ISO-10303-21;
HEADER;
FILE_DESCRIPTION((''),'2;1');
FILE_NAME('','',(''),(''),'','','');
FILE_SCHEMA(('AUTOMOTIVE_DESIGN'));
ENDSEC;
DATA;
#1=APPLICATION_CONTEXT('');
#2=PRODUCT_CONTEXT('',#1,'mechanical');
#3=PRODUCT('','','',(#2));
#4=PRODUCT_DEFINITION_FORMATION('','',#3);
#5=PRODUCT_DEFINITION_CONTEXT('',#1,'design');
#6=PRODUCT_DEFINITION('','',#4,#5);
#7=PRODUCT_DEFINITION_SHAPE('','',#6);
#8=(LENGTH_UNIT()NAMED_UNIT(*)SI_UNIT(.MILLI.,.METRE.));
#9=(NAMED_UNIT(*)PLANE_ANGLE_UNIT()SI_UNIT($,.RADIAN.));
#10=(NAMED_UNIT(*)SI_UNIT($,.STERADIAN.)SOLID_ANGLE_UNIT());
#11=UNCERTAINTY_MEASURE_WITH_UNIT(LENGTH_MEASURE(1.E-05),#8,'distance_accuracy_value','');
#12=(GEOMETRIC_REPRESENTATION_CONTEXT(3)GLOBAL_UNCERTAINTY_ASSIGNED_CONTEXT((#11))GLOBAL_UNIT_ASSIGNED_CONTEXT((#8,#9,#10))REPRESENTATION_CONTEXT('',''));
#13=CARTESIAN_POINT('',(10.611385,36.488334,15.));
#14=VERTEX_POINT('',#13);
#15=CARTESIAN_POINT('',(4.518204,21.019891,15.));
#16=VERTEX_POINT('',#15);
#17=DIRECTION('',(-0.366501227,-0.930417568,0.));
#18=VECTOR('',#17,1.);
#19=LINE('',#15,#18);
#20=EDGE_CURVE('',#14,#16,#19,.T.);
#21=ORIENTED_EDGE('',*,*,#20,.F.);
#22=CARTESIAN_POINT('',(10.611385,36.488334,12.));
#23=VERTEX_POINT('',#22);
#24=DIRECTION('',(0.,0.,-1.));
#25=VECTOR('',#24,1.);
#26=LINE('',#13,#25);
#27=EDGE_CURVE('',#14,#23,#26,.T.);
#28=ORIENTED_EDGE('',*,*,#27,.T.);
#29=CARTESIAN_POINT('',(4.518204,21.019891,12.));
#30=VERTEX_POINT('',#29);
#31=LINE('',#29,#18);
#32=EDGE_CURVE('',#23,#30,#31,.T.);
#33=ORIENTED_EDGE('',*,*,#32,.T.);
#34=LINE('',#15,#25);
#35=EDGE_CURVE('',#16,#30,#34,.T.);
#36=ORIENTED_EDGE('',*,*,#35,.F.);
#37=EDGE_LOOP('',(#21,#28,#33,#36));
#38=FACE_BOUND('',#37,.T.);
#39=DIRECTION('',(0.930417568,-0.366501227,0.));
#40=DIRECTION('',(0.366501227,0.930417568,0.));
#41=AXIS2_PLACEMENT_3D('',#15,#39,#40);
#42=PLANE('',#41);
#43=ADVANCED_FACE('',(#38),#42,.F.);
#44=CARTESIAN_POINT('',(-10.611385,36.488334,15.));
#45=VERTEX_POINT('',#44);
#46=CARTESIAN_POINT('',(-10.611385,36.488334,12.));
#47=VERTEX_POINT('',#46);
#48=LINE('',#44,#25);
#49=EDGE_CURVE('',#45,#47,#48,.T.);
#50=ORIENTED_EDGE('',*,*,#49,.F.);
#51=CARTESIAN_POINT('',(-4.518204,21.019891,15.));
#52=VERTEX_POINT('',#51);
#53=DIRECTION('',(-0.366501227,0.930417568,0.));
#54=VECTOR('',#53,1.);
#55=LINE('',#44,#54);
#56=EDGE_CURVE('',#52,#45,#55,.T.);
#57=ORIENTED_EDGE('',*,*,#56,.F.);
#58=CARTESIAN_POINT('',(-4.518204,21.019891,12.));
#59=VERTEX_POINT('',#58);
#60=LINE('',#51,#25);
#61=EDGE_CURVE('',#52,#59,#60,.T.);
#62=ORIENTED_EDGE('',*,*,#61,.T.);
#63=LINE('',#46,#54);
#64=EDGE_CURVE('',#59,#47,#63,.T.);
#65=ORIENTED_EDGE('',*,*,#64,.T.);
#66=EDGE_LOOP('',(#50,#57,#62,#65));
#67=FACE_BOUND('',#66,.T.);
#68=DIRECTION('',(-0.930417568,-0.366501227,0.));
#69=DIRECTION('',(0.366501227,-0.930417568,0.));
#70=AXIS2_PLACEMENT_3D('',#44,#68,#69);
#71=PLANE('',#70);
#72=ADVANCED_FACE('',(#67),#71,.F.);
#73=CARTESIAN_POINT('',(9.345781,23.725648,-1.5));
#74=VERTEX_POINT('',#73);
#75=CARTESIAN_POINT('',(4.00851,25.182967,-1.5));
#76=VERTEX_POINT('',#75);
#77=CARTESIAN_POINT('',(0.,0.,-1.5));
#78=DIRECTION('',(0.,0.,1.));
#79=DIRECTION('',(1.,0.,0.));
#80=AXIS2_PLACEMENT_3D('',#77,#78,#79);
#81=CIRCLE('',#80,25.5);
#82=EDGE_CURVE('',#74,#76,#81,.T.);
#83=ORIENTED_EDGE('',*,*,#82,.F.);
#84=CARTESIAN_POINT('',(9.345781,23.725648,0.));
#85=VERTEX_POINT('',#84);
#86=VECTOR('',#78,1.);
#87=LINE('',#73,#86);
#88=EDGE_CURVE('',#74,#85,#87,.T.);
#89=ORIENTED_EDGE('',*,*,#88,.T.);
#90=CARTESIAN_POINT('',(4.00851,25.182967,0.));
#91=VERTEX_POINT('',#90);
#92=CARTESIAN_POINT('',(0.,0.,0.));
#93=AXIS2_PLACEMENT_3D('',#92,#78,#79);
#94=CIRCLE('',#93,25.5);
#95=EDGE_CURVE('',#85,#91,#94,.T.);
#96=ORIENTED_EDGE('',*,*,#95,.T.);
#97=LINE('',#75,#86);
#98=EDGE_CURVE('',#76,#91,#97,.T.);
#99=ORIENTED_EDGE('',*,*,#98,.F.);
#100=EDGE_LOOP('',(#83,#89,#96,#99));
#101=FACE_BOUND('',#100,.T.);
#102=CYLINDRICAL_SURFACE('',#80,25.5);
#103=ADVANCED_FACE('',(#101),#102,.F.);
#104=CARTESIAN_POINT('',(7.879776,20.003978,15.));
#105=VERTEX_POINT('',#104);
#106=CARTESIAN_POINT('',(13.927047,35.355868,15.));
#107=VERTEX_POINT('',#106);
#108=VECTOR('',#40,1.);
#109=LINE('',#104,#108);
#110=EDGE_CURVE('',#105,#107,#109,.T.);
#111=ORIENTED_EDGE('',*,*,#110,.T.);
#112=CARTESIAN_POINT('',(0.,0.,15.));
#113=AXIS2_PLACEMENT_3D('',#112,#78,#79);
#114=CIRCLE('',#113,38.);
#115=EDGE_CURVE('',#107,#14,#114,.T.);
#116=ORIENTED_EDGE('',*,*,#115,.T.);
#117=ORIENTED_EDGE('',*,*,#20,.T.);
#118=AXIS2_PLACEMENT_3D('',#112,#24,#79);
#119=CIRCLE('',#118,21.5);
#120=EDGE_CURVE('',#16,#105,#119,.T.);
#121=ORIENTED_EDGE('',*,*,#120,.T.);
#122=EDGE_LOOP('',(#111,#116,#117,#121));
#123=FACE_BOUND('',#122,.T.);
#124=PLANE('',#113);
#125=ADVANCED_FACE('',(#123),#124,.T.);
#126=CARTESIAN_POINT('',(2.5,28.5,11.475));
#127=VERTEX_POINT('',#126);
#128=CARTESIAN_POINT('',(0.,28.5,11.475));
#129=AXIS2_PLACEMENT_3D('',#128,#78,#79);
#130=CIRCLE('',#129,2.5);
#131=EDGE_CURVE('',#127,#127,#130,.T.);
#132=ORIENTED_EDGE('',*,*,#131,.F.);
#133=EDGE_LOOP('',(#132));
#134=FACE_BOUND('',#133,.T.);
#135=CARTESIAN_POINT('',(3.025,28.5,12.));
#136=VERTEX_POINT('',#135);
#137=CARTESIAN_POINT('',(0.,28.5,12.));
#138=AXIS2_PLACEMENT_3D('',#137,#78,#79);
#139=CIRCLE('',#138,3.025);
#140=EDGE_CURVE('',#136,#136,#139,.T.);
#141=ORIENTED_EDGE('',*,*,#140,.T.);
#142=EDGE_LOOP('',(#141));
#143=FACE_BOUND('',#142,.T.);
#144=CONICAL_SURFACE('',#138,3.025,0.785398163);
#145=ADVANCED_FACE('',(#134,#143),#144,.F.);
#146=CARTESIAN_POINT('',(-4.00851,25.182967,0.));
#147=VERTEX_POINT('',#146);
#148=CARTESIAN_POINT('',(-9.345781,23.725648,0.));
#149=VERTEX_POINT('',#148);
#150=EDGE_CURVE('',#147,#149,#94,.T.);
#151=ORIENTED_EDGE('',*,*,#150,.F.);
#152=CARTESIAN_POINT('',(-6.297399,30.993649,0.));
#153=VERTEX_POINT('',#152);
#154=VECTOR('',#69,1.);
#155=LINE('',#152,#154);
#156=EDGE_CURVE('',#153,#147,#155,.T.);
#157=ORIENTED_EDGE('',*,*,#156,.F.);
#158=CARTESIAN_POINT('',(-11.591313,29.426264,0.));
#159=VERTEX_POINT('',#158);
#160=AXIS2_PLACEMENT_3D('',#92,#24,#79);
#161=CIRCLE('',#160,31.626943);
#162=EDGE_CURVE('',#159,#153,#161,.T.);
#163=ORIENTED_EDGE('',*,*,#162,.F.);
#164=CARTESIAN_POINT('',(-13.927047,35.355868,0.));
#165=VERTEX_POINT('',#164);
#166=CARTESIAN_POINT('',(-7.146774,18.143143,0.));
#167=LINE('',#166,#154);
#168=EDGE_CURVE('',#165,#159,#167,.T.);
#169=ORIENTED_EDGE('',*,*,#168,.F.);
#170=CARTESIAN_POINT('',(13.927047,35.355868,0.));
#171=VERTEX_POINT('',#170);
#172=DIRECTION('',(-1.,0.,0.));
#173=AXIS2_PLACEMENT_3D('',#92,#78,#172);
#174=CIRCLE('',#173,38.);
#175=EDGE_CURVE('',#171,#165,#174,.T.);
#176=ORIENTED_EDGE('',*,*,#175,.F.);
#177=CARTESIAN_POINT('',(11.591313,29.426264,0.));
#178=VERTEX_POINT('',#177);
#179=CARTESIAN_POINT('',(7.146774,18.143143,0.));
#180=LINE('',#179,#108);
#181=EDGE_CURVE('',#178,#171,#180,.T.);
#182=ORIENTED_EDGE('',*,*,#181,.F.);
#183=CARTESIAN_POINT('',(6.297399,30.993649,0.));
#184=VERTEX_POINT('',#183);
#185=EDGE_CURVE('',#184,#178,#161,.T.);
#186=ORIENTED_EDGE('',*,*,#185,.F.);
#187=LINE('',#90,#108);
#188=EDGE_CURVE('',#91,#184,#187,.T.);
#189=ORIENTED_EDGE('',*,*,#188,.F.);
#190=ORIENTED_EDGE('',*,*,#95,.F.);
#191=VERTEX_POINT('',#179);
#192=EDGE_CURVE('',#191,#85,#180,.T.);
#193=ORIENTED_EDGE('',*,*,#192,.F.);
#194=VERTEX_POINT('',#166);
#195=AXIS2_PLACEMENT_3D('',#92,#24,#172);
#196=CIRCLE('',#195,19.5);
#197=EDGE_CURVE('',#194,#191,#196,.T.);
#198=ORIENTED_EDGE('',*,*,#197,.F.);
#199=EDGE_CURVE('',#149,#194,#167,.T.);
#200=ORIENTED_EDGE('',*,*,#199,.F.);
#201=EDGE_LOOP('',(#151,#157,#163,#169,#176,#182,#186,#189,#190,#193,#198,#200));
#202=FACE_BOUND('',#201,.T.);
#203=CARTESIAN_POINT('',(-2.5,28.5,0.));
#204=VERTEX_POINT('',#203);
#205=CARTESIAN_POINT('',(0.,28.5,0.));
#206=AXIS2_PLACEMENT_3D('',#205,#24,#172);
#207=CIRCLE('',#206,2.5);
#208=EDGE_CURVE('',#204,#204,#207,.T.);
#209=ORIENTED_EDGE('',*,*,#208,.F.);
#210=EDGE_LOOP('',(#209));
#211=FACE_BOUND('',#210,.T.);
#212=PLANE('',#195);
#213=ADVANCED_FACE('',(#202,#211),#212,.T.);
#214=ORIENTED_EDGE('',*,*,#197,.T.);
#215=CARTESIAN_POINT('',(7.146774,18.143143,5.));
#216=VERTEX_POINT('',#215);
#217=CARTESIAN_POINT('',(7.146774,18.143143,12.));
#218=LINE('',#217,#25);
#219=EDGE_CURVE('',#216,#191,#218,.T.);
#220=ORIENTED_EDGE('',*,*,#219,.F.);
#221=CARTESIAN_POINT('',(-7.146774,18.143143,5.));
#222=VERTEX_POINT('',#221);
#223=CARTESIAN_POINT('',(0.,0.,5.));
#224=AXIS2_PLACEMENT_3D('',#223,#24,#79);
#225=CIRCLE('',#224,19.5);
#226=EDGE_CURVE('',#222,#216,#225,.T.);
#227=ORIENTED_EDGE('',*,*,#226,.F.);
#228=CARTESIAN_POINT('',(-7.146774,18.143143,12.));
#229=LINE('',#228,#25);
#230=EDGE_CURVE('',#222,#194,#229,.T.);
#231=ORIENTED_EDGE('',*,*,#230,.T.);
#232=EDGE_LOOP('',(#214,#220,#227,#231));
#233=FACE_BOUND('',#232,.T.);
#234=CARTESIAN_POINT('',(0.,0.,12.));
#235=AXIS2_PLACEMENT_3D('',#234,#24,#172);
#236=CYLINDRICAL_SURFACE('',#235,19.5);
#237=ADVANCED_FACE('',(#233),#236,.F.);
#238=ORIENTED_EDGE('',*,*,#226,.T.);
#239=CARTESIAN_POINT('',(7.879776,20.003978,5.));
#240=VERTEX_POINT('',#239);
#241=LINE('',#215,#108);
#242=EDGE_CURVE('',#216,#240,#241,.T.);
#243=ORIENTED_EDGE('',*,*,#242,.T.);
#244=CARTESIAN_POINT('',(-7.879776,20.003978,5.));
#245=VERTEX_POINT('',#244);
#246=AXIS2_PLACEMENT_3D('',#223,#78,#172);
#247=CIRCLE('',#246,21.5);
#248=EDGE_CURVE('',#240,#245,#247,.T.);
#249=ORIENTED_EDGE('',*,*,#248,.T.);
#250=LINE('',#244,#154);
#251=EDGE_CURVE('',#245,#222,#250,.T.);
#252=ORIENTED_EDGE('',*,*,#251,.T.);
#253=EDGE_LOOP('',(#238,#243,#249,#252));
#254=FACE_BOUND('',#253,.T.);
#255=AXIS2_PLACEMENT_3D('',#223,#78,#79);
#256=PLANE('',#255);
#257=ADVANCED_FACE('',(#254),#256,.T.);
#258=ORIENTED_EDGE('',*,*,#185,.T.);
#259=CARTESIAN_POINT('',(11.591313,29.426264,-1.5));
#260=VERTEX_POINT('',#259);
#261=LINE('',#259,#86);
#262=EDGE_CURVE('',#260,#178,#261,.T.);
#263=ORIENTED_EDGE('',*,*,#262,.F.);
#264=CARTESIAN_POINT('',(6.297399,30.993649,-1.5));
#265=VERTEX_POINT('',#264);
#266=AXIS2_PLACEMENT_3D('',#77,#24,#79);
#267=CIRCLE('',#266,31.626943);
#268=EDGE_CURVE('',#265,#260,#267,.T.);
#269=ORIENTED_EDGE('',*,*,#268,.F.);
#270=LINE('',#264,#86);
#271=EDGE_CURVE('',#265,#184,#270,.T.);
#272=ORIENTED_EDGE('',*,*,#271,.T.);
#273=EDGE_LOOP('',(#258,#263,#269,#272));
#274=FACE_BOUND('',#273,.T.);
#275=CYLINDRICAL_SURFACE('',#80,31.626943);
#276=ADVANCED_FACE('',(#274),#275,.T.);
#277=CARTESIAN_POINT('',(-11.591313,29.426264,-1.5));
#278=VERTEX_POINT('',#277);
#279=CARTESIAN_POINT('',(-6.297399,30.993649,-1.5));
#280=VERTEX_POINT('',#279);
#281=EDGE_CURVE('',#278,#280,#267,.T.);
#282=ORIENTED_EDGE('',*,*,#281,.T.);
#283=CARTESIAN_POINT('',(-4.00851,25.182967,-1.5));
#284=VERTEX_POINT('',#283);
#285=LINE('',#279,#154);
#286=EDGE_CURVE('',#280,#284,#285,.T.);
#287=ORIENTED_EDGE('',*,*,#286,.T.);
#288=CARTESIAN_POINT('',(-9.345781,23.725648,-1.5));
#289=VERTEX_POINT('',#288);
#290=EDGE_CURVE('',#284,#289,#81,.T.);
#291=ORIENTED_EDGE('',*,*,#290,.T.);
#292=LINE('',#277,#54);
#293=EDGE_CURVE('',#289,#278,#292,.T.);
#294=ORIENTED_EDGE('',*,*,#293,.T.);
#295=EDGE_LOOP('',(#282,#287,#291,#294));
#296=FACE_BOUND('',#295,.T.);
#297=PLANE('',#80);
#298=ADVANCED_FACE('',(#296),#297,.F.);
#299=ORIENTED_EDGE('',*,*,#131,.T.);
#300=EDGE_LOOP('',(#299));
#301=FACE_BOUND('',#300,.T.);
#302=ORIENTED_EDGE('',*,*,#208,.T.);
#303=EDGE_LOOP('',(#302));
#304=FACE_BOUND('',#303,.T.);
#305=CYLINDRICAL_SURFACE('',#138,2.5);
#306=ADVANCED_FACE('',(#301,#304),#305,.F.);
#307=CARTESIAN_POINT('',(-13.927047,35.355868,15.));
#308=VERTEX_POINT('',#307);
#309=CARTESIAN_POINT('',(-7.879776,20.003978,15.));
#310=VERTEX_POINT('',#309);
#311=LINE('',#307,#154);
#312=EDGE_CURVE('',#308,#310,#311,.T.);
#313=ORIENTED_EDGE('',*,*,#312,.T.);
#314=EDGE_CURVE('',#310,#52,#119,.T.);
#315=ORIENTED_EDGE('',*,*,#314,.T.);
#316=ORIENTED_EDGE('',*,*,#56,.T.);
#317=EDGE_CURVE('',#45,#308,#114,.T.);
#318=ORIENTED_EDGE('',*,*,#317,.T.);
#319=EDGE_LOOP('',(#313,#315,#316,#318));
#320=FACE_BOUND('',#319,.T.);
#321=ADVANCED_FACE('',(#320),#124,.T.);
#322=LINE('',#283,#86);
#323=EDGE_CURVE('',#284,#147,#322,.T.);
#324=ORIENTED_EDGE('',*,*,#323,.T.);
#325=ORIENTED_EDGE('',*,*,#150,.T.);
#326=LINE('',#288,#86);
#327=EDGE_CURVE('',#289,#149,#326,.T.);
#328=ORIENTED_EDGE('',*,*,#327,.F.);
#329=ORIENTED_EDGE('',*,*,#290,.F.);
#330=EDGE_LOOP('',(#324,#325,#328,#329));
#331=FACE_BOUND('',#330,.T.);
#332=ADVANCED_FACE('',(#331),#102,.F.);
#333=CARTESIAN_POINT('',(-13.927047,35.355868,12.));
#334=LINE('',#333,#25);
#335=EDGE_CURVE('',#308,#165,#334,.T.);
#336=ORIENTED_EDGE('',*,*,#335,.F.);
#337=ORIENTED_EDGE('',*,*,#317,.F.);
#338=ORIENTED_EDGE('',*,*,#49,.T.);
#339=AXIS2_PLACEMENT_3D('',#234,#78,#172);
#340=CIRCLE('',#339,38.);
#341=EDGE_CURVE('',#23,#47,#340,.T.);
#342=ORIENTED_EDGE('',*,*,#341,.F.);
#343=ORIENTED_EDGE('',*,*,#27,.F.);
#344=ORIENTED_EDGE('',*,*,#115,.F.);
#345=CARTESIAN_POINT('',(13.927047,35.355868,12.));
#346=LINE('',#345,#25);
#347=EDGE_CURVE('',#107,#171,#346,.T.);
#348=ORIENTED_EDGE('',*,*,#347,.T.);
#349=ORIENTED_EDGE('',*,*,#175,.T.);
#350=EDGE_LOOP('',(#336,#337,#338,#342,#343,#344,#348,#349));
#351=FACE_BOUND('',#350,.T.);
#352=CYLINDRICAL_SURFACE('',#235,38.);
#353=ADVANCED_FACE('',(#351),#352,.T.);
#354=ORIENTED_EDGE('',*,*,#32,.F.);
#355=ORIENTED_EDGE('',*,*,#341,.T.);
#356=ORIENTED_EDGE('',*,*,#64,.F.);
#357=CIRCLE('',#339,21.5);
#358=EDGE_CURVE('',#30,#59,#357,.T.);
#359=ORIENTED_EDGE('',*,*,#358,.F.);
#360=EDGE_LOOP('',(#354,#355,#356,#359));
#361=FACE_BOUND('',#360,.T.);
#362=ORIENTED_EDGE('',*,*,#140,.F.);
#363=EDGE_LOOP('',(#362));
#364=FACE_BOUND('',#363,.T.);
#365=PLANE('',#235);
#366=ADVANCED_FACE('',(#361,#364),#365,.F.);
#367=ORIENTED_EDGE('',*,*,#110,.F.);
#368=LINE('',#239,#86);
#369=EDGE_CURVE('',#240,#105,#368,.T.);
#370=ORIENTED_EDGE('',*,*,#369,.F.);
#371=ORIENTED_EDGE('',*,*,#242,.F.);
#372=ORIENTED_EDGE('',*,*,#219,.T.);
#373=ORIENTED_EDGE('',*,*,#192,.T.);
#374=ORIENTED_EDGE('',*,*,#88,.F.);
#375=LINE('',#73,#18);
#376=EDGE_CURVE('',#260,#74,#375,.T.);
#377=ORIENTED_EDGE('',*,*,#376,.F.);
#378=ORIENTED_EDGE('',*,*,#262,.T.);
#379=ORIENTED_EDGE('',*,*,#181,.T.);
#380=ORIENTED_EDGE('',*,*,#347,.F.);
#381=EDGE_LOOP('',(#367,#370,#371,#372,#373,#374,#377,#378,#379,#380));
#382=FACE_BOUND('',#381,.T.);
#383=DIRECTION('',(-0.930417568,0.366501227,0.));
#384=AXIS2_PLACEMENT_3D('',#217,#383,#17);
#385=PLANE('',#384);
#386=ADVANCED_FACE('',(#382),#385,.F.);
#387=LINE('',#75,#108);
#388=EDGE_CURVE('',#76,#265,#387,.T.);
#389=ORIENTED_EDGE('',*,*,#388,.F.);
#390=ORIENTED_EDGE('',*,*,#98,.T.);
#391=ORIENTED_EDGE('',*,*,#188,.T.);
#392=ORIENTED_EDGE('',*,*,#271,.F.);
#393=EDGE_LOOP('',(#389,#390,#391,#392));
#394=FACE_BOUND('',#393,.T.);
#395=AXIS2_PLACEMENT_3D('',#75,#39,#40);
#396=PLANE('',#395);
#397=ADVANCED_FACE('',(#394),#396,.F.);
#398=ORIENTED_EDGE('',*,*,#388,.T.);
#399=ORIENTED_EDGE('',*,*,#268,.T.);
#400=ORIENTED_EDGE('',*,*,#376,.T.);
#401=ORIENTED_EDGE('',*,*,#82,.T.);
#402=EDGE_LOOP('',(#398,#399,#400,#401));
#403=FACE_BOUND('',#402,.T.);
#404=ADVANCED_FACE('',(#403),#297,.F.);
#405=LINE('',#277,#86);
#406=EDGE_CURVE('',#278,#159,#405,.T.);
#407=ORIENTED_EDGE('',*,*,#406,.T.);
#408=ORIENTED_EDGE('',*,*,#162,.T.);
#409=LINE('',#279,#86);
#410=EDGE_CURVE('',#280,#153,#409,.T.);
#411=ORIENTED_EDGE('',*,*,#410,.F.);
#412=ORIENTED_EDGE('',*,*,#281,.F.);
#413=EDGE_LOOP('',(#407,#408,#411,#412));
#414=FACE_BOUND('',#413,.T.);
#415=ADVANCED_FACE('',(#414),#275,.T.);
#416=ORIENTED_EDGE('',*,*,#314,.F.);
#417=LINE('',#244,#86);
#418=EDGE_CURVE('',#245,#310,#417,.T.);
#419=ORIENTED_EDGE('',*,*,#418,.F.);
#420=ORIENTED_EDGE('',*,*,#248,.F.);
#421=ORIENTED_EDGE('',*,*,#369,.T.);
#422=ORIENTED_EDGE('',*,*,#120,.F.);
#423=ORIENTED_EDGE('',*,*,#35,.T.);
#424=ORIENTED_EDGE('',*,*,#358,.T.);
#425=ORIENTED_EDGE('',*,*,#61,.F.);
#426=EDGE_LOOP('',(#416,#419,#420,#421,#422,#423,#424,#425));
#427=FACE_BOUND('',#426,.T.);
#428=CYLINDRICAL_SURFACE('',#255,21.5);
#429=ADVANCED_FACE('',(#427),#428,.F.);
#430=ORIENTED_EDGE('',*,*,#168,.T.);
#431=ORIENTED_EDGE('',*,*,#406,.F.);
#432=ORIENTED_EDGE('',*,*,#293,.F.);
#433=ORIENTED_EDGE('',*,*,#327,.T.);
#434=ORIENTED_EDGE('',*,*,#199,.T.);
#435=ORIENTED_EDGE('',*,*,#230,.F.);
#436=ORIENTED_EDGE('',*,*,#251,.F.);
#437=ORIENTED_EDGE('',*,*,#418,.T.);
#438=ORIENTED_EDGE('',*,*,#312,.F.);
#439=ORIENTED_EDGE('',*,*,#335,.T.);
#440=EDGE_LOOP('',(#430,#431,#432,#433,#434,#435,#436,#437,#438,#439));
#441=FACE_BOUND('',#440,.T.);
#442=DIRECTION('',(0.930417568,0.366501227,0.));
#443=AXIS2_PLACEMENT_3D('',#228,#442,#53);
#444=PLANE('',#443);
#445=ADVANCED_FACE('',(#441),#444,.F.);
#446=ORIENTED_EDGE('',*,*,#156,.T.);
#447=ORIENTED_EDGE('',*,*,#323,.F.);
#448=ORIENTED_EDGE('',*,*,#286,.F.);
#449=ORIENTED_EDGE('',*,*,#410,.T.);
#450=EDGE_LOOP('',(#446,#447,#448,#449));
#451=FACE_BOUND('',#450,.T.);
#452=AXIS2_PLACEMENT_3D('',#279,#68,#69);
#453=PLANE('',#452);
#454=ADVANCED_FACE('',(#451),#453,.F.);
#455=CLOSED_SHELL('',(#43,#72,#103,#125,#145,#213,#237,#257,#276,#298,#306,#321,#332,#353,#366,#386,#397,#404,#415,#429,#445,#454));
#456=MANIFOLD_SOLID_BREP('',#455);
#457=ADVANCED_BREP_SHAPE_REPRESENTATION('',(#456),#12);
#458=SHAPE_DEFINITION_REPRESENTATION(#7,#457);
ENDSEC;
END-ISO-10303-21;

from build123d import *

# Parameters (mm, degrees)
BOSS_EXTRU_1_DEPTH          = 12
ENL_V_START                 = -7
ENL_V_MAT_EXTRU_1_DEPTH     = 7
BOSS_EXTRU_2_DEPTH          = 3
BOSS_EXTRU_3_DEPTH          = 1.5
TROU_TARAUD_M61_D           = 5
TROU_TARAUD_M61_CSINK_D     = 6.05
TROU_TARAUD_M61_CSINK_ANGLE = 90


with BuildPart() as part:
    # Esquisse2 → Boss.-Extru.1 (new body)
    with BuildSketch(Plane.XY):
        with BuildLine():
            Line((-7.146773921, 18.143142576), (-13.927046616, 35.355867583))
            ThreePointArc((-13.927046616, 35.355867583), (0, 38), (13.927046616, 35.355867583))
            Line((13.927046616, 35.355867583), (7.146773921, 18.143142576))
            ThreePointArc((7.146773921, 18.143142576), (0, 19.5), (-7.146773921, 18.143142576))
        make_face()
    extrude(amount=BOSS_EXTRU_1_DEPTH)

    # Esquisse4 → Enlèv. mat.-Extru.1 (cut)
    with BuildSketch(Plane.XY.offset(12).offset(ENL_V_START)):
        with BuildLine():
            Line((-7.879776375, 20.003977712), (-7.146773921, 18.143142576))
            ThreePointArc((-7.146773921, 18.143142576), (0, 19.5), (7.146773921, 18.143142576))
            Line((7.146773921, 18.143142576), (7.879776375, 20.003977712))
            ThreePointArc((7.879776375, 20.003977712), (0, 21.5), (-7.879776375, 20.003977712))
        make_face()
    extrude(amount=ENL_V_MAT_EXTRU_1_DEPTH, mode=Mode.SUBTRACT)

    # Esquisse5 → Boss.-Extru.2 (add)
    with BuildSketch(Plane.XY.offset(12)):
        with BuildLine():
            Line((-13.927046616, 35.355867583), (-7.879776375, 20.003977712))
            ThreePointArc((-7.879776375, 20.003977712), (-6.219766636, 20.580682763), (-4.518203594, 21.019891443))
            Line((-4.518203594, 21.019891443), (-10.611385095, 36.488333839))
            ThreePointArc((-10.611385095, 36.488333839), (-12.282274938, 35.960335404), (-13.927046616, 35.355867583))
        make_face()
        with BuildLine():
            Line((7.879776375, 20.003977712), (13.927046616, 35.355867583))
            ThreePointArc((13.927046616, 35.355867583), (12.282274938, 35.960335404), (10.611385095, 36.488333839))
            Line((10.611385095, 36.488333839), (4.518203594, 21.019891443))
            ThreePointArc((4.518203594, 21.019891443), (6.219766636, 20.580682763), (7.879776375, 20.003977712))
        make_face()
    extrude(amount=BOSS_EXTRU_2_DEPTH)

    # Esquisse6 → Boss.-Extru.3 (add)
    with BuildSketch(Plane(origin=(0, 0, 0), x_dir=(-1, 0, 0), z_dir=(0, 0, -1))):
        with BuildLine():
            Line((11.591313455, 29.42626351), (9.345781281, 23.725647984))
            ThreePointArc((9.345781281, 23.725647984), (6.716786511, 24.599487372), (4.008510327, 25.182967358))
            Line((4.008510327, 25.182967358), (6.297398832, 30.993649345))
            ThreePointArc((6.297398832, 30.993649345), (8.978623581, 30.325696206), (11.591313455, 29.42626351))
        make_face()
        with BuildLine():
            Line((-9.345781281, 23.725647984), (-11.591313455, 29.42626351))
            ThreePointArc((-11.591313455, 29.42626351), (-8.978623581, 30.325696206), (-6.297398832, 30.993649345))
            Line((-6.297398832, 30.993649345), (-4.008510327, 25.182967358))
            ThreePointArc((-4.008510327, 25.182967358), (-6.716786511, 24.599487372), (-9.345781281, 23.725647984))
        make_face()
    extrude(amount=BOSS_EXTRU_3_DEPTH)

    # Trou taraudé M61 (through all)
    with Locations(Plane.XY.offset(12)):
        with Locations((0, 28.5)):
            CounterSinkHole(TROU_TARAUD_M61_D / 2, TROU_TARAUD_M61_CSINK_D / 2, counter_sink_angle=TROU_TARAUD_M61_CSINK_ANGLE)


solid = part.part
